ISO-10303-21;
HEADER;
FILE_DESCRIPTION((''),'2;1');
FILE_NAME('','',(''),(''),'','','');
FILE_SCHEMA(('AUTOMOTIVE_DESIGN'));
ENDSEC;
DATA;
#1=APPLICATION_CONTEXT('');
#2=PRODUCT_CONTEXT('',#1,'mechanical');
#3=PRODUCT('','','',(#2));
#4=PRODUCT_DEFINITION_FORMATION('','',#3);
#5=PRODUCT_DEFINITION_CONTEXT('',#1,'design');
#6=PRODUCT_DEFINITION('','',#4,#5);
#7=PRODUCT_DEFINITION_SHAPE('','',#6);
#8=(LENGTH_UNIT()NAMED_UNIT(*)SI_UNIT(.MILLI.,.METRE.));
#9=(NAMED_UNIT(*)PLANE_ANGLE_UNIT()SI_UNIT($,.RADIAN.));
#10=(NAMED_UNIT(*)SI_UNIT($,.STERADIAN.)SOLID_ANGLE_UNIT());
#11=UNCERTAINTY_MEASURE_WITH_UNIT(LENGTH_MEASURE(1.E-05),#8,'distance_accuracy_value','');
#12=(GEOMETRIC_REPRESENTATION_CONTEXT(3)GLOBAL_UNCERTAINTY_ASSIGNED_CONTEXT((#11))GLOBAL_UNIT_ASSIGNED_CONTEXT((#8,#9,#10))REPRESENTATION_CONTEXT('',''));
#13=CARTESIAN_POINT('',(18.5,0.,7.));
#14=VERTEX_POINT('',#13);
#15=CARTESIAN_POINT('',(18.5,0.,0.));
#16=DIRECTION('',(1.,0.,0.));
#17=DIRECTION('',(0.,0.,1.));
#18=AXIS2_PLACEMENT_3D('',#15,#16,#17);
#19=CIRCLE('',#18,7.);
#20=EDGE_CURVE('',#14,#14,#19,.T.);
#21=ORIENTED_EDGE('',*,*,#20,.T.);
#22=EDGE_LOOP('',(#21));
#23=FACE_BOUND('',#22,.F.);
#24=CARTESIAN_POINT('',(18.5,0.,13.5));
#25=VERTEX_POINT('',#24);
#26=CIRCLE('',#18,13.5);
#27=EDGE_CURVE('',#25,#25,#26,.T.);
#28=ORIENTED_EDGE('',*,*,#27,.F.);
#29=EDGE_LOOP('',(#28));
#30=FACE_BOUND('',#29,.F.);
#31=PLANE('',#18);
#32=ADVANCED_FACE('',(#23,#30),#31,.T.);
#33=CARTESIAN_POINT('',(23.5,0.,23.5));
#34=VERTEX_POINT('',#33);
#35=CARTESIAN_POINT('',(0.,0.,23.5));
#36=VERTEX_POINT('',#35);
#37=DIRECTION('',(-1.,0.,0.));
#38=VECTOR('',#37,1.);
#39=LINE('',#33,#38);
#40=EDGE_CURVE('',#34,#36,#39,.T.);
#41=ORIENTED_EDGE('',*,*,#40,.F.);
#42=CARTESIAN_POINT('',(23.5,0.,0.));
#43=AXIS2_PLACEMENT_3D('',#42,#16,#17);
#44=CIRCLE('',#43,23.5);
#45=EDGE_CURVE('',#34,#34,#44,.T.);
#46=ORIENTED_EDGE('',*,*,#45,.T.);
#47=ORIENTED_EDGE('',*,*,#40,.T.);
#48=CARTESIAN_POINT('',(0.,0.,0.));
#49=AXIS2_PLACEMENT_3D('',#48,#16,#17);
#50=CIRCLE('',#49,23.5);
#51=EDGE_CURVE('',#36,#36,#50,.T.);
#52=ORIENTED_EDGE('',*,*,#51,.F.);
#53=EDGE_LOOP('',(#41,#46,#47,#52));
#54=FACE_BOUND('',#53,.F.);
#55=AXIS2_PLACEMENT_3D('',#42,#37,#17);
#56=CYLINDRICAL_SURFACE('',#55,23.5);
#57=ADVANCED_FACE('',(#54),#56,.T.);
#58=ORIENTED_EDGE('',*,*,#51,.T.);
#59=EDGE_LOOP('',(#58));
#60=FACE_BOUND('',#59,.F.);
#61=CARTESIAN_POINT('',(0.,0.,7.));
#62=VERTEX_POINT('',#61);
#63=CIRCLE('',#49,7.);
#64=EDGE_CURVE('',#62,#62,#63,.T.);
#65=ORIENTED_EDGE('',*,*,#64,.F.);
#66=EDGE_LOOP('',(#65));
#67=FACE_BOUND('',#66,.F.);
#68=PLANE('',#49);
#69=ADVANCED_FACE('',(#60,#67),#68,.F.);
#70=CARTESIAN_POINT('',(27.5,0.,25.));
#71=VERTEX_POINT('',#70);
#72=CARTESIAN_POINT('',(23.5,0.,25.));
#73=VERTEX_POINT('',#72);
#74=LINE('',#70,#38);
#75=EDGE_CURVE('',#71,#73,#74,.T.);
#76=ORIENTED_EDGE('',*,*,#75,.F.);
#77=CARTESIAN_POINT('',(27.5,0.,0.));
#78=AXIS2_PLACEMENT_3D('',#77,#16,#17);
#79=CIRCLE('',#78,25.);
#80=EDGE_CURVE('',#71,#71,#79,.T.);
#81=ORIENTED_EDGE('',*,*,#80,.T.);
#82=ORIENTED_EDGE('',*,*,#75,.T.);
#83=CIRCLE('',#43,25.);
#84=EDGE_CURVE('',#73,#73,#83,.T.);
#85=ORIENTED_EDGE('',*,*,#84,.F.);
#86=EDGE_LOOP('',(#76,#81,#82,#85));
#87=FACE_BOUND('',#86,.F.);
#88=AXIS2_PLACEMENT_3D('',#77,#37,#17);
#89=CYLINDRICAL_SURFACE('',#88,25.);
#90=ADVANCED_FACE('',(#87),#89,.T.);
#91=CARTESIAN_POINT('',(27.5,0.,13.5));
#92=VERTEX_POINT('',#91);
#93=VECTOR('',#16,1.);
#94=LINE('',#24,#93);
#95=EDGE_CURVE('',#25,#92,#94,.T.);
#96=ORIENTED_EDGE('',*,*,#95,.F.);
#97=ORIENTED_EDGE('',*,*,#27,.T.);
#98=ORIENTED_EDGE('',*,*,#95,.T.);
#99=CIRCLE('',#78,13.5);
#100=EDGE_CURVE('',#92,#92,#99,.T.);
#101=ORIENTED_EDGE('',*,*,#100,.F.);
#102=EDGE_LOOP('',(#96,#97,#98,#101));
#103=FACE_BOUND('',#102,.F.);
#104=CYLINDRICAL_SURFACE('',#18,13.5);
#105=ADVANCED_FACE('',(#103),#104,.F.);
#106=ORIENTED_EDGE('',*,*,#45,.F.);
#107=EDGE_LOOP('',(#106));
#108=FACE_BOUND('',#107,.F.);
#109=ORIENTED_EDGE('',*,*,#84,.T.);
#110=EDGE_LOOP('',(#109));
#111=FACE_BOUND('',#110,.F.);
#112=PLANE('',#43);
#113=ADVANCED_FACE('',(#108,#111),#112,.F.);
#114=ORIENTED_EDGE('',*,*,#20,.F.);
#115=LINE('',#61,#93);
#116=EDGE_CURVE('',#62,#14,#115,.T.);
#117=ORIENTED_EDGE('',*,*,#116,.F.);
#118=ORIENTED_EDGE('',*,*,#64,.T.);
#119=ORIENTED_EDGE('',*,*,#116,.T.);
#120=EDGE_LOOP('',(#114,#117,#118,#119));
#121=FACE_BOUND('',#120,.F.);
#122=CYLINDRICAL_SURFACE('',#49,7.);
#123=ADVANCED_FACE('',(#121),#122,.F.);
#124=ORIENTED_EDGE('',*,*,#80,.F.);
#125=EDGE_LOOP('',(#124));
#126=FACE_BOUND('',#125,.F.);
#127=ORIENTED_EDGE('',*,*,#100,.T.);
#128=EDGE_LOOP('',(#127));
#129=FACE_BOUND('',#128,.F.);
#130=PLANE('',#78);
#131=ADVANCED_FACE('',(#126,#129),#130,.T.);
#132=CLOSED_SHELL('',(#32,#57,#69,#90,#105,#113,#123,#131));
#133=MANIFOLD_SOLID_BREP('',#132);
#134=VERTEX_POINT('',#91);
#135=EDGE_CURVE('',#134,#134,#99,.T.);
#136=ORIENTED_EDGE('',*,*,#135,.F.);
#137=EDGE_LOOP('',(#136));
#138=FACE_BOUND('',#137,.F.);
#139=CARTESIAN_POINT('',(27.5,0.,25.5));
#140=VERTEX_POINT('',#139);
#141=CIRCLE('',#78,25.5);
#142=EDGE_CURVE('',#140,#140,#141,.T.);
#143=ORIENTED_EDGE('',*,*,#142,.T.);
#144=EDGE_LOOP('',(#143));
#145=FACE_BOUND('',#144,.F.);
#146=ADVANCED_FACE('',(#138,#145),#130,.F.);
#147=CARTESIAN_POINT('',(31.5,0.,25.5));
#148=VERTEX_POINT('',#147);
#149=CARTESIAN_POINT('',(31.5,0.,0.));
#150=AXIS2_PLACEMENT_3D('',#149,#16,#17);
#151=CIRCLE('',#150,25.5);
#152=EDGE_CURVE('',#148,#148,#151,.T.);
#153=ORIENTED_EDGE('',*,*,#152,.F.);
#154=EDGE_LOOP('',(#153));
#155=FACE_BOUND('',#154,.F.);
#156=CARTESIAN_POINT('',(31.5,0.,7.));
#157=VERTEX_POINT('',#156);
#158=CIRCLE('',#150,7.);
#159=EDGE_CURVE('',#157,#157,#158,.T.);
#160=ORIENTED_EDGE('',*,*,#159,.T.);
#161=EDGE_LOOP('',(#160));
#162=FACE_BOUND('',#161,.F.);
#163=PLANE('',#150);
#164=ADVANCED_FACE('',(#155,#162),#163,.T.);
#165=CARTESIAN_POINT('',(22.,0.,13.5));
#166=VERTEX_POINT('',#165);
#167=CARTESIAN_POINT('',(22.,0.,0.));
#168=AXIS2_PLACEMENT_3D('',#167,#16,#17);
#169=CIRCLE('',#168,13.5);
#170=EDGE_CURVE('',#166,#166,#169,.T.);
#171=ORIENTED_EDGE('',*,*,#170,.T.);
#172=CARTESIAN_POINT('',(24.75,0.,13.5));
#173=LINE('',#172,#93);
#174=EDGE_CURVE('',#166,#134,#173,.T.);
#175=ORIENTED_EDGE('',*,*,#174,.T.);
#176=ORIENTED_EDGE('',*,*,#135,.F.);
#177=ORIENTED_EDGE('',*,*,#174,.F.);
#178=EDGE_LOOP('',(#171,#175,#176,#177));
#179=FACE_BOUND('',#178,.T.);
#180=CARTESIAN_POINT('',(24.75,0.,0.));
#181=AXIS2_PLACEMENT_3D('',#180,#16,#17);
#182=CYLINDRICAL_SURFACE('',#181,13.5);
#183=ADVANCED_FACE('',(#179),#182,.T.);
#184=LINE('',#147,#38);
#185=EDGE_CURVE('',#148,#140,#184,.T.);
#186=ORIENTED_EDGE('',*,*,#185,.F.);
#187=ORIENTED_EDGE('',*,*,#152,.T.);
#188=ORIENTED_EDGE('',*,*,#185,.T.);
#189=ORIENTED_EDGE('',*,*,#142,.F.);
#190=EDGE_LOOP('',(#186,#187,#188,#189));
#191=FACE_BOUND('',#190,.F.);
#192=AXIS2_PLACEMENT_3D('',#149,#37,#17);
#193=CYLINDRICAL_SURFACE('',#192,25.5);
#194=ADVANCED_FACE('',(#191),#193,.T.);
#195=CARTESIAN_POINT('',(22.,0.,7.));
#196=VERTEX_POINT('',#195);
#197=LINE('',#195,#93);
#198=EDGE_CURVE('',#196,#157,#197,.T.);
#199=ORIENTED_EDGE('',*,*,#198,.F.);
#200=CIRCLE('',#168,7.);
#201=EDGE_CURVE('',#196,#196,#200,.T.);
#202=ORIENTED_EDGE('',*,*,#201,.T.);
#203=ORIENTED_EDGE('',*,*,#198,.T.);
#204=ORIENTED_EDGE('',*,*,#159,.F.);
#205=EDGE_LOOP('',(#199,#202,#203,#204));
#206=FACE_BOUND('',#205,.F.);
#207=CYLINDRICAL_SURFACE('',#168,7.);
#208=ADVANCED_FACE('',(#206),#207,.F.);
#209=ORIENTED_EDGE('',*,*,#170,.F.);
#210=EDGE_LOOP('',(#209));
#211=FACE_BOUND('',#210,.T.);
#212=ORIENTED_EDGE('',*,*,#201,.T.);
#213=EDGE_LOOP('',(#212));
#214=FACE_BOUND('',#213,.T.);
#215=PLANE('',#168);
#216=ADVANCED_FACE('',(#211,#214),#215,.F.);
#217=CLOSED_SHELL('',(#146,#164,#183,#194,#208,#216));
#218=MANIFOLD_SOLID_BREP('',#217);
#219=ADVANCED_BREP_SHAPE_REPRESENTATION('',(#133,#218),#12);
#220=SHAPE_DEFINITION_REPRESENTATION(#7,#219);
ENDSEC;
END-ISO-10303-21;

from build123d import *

# Parameters (mm, degrees)
F2_W = 5.5
F2_H = 6.5


with BuildPart() as f1:
    # F0 (on Front) → F1 (revolve)
    with BuildSketch(Plane.XZ):
        Polygon((0, 23.5), (0, 7), (18.5, 7), (18.5, 13.5), (27.5, 13.5), (27.5, 25), (23.5, 25), (23.5, 23.5), align=None)
    revolve(axis=Axis((13.75, 0, 0), (1, 0, 0)))


with BuildPart() as f3:
    # F2 (on Front) → F3 (revolve)
    with BuildSketch(Plane.XZ):
        Polygon((27.5, 13.5), (27.5, 7), (31.5, 7), (31.5, 25.5), (27.5, 25.5), align=None)
        with Locations((24.75, 10.25)):
            Rectangle(F2_W, F2_H)
    revolve(axis=Axis((26.75, 0, 0), (1, 0, 0)))


solid = Compound([f1.part, f3.part])
